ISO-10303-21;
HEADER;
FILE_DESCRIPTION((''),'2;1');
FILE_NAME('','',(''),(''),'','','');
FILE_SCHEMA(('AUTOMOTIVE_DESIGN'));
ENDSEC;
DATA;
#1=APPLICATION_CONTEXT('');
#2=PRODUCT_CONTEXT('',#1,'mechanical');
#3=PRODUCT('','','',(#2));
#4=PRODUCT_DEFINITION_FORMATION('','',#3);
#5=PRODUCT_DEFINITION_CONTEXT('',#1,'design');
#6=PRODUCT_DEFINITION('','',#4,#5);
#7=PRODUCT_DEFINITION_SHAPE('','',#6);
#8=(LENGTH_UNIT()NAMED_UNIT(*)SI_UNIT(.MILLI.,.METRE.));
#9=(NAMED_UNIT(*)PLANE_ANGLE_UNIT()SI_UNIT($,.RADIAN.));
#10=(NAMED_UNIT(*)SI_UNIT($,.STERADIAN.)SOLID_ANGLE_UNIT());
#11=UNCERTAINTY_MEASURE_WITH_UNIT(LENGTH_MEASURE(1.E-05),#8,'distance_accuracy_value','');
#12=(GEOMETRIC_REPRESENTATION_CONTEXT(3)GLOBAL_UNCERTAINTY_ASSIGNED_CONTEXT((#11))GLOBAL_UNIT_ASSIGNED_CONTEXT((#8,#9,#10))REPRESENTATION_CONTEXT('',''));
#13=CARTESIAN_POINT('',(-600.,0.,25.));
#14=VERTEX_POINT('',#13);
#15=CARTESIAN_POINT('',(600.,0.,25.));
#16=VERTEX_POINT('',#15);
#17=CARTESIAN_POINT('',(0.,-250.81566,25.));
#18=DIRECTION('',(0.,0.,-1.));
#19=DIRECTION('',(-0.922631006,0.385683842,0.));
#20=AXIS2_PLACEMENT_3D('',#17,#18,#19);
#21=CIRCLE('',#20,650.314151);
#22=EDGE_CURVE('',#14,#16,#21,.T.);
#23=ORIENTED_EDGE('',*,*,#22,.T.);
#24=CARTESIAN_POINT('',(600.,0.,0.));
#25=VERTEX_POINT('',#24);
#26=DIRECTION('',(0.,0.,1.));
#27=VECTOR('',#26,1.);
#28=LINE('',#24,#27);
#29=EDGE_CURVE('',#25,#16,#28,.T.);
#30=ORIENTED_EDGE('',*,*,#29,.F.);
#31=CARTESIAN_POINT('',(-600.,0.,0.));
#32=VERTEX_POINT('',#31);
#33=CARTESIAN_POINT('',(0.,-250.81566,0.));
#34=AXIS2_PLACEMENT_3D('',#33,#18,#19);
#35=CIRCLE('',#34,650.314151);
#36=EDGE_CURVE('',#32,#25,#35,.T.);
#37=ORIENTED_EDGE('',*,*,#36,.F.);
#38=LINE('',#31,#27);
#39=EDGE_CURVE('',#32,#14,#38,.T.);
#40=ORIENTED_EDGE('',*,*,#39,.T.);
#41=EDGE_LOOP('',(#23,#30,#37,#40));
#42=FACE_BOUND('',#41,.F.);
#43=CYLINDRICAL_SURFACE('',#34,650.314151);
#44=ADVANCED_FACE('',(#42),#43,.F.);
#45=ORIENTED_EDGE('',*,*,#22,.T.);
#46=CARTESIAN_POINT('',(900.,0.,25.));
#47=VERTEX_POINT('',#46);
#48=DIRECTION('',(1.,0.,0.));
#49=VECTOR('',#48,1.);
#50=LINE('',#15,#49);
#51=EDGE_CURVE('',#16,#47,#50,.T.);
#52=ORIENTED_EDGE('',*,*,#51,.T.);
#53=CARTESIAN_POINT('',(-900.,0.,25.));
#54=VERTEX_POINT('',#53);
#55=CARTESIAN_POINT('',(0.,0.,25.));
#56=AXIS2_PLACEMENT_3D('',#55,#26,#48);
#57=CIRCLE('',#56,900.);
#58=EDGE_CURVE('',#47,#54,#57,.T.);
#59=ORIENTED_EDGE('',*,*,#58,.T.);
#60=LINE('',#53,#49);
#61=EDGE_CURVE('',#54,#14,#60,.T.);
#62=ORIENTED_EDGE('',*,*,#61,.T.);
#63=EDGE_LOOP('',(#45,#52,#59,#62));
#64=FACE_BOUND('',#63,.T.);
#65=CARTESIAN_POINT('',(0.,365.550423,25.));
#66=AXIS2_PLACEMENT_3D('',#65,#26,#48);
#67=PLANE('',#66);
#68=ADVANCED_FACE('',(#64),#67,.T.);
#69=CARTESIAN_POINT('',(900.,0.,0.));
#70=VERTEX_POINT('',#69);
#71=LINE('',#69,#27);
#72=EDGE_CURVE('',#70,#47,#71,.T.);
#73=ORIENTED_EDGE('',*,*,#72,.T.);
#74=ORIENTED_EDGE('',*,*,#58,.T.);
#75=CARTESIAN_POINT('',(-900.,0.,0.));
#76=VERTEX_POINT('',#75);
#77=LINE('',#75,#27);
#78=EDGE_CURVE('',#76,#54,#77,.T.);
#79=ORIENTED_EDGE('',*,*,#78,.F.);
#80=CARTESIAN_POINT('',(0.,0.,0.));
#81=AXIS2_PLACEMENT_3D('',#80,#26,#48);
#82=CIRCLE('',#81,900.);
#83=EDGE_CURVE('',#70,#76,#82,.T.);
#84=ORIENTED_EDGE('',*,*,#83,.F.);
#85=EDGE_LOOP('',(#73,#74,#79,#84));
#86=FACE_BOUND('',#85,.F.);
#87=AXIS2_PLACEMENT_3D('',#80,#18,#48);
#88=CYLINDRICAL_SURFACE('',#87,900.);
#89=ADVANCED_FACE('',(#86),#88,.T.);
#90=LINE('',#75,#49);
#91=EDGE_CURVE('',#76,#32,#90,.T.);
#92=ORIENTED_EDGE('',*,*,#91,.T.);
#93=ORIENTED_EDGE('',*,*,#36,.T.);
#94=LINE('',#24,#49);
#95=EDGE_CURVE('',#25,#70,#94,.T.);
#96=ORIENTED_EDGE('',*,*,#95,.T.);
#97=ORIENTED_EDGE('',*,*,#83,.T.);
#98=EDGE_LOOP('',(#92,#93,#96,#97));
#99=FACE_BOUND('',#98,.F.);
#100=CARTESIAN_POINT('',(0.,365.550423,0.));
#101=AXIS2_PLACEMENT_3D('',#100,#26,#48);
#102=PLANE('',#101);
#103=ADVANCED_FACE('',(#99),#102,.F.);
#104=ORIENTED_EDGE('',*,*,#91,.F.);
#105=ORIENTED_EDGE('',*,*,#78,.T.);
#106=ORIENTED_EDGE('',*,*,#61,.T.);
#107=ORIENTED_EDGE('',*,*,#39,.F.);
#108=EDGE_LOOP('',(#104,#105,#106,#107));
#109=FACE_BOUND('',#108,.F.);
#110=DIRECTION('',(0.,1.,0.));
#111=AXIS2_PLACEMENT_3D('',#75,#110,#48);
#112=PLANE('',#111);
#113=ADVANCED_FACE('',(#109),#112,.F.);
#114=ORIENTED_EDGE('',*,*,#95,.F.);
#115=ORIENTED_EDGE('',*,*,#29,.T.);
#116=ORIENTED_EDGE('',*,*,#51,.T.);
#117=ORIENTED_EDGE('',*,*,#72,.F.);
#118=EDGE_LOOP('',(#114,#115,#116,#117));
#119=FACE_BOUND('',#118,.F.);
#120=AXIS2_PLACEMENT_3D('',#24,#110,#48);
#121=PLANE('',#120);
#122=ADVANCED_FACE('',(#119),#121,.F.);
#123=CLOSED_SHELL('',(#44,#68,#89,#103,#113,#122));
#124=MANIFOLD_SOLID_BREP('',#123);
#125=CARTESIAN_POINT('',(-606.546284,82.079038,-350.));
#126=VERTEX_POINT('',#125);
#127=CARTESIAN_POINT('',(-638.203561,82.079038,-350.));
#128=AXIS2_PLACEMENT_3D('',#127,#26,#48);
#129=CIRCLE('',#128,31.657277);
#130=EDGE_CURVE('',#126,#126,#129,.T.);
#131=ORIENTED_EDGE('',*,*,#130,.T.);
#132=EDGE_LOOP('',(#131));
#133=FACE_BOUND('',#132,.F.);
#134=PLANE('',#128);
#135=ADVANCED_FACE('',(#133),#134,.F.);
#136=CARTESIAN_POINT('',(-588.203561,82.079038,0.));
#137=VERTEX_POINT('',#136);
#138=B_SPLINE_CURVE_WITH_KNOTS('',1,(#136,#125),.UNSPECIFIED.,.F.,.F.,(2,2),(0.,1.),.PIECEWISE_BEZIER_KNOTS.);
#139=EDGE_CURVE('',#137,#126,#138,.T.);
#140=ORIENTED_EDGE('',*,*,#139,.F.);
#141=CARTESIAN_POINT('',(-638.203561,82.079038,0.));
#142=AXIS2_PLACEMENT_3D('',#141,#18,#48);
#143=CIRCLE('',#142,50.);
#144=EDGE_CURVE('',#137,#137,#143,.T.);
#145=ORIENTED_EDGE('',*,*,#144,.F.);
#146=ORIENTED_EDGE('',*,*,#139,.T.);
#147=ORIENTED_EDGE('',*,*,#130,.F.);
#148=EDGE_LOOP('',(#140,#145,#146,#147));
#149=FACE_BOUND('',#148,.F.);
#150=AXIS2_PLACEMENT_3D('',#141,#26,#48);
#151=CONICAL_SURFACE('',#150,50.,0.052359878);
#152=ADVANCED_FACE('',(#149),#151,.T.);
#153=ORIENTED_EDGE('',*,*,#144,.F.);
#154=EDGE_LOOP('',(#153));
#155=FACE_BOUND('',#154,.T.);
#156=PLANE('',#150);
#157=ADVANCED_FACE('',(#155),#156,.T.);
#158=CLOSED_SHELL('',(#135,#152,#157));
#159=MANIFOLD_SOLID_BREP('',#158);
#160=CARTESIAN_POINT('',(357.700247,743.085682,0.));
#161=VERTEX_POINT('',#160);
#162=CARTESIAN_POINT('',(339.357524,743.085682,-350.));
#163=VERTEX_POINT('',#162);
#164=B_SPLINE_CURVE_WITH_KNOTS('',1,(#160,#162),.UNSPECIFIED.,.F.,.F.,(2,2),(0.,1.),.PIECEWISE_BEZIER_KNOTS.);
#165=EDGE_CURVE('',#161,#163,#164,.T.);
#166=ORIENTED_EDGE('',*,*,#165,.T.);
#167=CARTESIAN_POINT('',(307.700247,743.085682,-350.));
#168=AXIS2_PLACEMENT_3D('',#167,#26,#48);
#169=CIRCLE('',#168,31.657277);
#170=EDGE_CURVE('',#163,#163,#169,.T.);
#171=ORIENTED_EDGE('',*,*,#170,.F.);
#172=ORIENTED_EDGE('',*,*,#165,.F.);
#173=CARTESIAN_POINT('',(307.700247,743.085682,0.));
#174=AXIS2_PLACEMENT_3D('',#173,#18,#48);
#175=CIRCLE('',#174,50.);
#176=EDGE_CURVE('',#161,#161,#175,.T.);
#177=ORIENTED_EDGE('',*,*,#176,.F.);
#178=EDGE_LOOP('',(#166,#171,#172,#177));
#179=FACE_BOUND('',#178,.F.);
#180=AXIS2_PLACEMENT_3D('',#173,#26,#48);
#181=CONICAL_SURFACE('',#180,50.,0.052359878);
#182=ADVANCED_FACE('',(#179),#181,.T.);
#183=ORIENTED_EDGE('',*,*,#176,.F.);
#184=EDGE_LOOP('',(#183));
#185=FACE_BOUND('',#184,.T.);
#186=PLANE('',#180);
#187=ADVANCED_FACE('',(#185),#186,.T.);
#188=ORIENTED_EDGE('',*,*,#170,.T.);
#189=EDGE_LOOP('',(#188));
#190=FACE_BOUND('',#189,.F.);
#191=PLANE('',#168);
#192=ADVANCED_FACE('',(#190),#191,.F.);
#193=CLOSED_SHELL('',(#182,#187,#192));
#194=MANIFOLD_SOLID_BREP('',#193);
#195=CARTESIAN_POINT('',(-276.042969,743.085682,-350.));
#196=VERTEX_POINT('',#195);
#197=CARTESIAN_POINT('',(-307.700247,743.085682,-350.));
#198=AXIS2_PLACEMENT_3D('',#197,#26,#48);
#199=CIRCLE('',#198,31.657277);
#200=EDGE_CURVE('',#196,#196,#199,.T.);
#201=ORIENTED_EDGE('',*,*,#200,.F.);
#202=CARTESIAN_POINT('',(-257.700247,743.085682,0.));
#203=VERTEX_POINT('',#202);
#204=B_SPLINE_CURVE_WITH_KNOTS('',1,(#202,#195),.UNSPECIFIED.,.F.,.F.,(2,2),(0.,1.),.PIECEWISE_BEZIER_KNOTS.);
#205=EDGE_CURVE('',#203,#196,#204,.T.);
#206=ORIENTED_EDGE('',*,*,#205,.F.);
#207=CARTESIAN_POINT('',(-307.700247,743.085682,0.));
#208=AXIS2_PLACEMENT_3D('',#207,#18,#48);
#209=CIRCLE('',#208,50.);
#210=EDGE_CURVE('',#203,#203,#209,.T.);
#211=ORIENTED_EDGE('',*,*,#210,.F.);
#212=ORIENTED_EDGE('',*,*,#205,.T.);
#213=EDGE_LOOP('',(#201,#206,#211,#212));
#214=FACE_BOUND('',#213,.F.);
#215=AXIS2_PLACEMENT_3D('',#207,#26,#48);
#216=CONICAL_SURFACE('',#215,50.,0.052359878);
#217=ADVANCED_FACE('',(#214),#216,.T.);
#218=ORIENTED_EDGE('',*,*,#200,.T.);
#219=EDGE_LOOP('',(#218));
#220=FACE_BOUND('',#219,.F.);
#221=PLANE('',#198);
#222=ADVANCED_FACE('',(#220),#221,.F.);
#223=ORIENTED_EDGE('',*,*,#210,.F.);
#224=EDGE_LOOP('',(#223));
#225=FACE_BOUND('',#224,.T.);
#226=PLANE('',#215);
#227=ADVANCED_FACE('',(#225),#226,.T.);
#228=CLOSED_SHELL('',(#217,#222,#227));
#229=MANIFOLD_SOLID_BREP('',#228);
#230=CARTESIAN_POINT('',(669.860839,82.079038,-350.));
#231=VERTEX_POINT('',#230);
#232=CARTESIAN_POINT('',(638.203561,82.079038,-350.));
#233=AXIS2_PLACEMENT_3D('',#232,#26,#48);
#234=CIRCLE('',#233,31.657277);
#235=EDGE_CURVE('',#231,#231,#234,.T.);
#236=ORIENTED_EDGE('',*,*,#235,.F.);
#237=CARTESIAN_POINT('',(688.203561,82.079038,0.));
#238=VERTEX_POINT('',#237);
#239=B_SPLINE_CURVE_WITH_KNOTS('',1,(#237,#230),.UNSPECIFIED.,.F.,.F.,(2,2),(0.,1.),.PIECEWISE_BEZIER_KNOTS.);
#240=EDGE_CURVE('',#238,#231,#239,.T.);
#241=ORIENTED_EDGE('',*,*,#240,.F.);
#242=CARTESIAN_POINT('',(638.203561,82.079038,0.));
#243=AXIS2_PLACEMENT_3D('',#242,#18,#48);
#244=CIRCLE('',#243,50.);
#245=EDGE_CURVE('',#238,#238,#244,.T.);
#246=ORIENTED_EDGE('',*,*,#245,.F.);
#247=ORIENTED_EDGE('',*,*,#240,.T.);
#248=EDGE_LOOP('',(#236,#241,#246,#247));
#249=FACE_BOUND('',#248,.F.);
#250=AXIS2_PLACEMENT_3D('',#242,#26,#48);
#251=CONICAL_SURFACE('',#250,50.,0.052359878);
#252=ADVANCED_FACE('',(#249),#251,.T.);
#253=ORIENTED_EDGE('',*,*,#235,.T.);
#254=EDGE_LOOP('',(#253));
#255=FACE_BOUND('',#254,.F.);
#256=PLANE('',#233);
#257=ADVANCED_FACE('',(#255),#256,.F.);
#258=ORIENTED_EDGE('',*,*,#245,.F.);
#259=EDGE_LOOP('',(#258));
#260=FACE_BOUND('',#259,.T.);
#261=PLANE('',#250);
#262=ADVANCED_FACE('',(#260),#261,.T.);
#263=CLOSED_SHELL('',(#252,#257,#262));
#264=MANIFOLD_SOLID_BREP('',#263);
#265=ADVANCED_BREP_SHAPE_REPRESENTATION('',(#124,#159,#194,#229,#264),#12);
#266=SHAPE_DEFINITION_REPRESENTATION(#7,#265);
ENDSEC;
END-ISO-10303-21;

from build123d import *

# Parameters (mm, degrees)
F0_R     = 50
F1_DEPTH = 25
F2_DEPTH = 350
F2_TAPER = 3


with BuildPart() as f1:
    # F0 (on Top) → F1 (new body)
    with BuildSketch(Plane.XY):
        with BuildLine():
            Line((600, 0), (900, 0))
            ThreePointArc((900, 0), (0, 900), (-900, 0))
            Line((-900, 0), (-600, 0))
            ThreePointArc((-600, 0), (0, 399.4984909986), (600, 0))
        make_face()
        with Locations((-638.203561306, 82.0790380239)):
            Circle(F0_R, mode=Mode.SUBTRACT)
        with Locations((-307.7002465725, 743.0856823921)):
            Circle(F0_R, mode=Mode.SUBTRACT)
        with Locations((638.203561306, 82.0790380239)):
            Circle(F0_R, mode=Mode.SUBTRACT)
        with Locations((307.7002465725, 743.0856823921)):
            Circle(F0_R, mode=Mode.SUBTRACT)
        with Locations((-638.203561306, 82.0790380239)):
            Circle(F0_R)
        with Locations((-307.7002465725, 743.0856823921)):
            Circle(F0_R)
        with Locations((307.7002465725, 743.0856823921)):
            Circle(F0_R)
        with Locations((638.203561306, 82.0790380239)):
            Circle(F0_R)
    extrude(amount=F1_DEPTH)


with BuildPart() as f2:
    # F0 (on Top) → F2 (new body)
    with BuildSketch(Plane.XY):
        with Locations((-638.203561306, 82.0790380239)):
            Circle(F0_R)
    extrude(amount=-F2_DEPTH, taper=F2_TAPER)


with BuildPart() as f2b:
    # F0 (on Top) → F2, piece 2 (new body)
    with BuildSketch(Plane.XY):
        with Locations((-307.7002465725, 743.0856823921)):
            Circle(F0_R)
    extrude(amount=-F2_DEPTH, taper=F2_TAPER)


with BuildPart() as f2c:
    # F0 (on Top) → F2, piece 3 (new body)
    with BuildSketch(Plane.XY):
        with Locations((307.7002465725, 743.0856823921)):
            Circle(F0_R)
    extrude(amount=-F2_DEPTH, taper=F2_TAPER)


with BuildPart() as f2d:
    # F0 (on Top) → F2, piece 4 (new body)
    with BuildSketch(Plane.XY):
        with Locations((638.203561306, 82.0790380239)):
            Circle(F0_R)
    extrude(amount=-F2_DEPTH, taper=F2_TAPER)


solid = Compound([f1.part, f2.part, f2b.part, f2c.part, f2d.part])
